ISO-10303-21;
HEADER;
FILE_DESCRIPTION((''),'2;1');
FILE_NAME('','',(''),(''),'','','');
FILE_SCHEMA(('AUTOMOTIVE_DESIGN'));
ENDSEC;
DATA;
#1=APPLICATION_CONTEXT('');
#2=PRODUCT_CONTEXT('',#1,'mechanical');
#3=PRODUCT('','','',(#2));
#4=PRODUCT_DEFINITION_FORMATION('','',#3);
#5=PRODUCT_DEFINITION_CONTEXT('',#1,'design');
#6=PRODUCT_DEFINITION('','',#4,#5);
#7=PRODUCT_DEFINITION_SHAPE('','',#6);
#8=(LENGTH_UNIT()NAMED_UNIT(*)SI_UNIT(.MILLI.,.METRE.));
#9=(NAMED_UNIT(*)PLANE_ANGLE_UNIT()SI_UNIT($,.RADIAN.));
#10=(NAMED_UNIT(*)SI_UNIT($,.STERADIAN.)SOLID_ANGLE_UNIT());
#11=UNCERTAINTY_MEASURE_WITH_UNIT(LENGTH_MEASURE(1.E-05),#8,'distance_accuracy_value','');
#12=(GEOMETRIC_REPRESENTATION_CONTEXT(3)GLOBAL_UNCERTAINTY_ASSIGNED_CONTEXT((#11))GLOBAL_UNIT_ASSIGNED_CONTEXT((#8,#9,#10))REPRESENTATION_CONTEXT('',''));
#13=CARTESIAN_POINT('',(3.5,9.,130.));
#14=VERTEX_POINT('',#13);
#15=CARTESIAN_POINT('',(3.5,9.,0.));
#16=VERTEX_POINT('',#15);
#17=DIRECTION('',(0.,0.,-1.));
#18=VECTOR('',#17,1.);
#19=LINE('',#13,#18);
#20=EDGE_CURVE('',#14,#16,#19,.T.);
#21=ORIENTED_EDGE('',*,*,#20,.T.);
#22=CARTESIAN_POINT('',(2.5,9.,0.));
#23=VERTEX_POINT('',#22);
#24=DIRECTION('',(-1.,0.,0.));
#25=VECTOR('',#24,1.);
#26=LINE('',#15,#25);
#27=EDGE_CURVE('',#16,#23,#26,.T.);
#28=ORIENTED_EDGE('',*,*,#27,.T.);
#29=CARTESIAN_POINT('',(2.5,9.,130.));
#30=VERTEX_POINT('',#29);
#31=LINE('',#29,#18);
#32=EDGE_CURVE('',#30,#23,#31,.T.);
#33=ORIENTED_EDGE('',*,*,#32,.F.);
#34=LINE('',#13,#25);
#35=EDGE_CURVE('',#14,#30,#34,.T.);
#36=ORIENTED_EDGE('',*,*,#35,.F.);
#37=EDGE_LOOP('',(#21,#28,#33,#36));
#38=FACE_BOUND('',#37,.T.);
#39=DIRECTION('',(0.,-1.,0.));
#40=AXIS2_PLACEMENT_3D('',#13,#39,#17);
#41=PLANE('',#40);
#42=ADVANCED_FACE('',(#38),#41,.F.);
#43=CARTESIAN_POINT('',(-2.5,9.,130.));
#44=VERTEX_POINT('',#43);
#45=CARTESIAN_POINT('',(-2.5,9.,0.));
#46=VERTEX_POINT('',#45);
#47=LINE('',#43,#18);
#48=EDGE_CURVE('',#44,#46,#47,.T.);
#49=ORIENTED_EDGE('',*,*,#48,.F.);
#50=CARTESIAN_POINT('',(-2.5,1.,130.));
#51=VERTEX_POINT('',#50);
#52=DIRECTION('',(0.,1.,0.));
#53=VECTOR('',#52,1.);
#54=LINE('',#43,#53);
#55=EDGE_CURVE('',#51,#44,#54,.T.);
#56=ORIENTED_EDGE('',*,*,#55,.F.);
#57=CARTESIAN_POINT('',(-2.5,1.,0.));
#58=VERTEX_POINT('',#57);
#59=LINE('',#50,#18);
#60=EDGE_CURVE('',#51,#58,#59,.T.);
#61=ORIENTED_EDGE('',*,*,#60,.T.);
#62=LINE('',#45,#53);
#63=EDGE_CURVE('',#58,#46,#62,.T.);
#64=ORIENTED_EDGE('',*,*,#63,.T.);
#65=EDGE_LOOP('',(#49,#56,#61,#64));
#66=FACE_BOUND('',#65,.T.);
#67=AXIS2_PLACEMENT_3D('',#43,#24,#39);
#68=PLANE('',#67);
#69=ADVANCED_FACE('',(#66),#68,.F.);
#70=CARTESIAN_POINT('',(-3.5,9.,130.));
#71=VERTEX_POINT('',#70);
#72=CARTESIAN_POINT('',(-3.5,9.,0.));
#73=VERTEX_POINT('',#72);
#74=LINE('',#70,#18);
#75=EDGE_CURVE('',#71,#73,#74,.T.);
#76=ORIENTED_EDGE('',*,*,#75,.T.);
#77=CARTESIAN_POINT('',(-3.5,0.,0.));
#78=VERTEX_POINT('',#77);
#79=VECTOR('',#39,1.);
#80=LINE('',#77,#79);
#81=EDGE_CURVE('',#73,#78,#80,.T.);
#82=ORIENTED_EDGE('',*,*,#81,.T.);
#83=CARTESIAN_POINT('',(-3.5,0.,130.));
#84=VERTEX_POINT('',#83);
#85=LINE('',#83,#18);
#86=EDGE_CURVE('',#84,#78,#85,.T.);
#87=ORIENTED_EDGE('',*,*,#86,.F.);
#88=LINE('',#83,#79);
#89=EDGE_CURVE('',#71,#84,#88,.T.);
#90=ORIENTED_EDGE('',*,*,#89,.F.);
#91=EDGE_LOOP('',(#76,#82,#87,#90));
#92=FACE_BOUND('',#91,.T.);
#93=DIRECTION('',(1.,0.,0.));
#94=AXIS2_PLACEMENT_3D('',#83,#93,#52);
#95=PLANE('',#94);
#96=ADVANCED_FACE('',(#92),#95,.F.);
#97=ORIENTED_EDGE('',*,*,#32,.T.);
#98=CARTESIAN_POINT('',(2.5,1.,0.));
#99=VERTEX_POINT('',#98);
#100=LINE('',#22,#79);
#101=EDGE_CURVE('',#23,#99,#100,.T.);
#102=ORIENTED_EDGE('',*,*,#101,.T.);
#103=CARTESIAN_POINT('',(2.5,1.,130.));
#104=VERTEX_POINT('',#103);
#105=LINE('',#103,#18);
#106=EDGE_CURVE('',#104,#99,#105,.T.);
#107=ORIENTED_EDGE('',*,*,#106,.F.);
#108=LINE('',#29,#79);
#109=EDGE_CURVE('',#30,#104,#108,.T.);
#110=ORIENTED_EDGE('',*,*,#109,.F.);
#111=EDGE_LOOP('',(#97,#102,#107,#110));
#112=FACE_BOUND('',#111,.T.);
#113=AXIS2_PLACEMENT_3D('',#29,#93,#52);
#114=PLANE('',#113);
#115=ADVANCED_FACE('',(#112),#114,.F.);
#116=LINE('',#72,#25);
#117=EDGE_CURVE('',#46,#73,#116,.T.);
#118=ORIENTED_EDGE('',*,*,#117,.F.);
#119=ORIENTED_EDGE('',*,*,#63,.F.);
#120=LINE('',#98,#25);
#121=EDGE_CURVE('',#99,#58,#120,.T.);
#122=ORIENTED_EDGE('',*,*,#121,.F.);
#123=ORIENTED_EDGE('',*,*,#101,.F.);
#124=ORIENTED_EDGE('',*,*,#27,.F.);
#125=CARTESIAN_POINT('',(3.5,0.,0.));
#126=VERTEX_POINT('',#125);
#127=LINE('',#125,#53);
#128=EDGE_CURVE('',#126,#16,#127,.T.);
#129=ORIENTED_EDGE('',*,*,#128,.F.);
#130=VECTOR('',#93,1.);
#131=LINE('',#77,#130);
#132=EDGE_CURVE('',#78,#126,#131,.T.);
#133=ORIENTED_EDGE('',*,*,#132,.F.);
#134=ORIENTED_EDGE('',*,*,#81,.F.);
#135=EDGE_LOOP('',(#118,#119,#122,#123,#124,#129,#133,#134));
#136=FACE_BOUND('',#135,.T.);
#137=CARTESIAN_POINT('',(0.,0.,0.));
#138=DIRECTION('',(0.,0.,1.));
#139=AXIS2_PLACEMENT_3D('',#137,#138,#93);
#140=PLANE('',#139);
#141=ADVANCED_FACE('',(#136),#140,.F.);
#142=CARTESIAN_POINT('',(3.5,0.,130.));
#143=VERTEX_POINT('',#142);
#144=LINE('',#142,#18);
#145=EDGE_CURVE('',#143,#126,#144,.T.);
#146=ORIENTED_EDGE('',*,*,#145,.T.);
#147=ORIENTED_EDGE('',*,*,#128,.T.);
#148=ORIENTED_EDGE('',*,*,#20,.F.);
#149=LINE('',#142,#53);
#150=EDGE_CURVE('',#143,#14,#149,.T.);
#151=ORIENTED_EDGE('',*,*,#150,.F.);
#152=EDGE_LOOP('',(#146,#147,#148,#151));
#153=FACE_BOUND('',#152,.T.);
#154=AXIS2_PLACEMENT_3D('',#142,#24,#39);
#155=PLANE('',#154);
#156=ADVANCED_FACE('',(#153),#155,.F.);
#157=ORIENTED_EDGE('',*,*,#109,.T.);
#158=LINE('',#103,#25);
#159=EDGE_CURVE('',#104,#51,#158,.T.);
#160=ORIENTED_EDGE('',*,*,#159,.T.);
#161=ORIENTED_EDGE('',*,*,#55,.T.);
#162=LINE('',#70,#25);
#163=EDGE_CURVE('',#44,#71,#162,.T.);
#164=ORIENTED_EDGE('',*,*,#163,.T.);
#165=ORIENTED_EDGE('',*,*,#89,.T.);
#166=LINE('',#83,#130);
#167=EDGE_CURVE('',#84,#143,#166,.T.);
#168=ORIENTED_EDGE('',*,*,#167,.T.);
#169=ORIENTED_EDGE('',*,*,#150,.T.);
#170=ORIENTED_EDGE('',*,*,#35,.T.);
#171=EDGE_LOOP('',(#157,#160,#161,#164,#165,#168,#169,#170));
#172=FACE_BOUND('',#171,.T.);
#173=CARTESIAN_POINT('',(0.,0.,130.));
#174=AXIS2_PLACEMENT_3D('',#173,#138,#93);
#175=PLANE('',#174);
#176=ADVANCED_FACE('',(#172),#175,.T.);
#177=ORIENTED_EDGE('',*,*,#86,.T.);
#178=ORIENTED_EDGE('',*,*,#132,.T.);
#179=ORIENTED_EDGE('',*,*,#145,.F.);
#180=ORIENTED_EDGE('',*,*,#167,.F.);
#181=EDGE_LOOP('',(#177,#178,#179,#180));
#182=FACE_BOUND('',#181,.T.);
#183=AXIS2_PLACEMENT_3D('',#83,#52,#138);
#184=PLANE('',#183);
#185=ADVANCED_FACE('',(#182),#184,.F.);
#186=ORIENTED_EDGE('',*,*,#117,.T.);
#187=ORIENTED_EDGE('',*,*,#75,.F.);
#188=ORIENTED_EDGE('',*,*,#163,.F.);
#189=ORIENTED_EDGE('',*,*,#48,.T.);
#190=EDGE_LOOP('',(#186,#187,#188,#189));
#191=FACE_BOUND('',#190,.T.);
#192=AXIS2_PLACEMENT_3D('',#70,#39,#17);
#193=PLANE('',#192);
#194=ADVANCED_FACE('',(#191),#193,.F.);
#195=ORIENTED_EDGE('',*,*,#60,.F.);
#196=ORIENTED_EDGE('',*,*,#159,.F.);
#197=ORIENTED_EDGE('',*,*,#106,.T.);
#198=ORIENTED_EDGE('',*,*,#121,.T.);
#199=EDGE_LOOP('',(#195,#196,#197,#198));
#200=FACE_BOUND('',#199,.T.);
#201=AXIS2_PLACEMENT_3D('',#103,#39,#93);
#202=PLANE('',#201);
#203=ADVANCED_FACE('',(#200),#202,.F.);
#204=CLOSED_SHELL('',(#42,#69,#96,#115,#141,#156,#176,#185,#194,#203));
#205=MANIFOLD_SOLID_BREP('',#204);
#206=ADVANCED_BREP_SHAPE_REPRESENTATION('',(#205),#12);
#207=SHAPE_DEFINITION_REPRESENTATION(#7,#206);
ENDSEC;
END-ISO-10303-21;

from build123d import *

# Parameters (mm, degrees)
BOSS_EXTRUDE2_DEPTH = 130


with BuildPart() as part:
    # Sketch2 → Boss-Extrude2 (new body)
    with BuildSketch(Plane.XY):
        Polygon((-3.5, 0), (3.5, 0), (3.5, 9), (2.5, 9), (2.5, 1), (-2.5, 1), (-2.5, 9), (-3.5, 9), align=None)
    extrude(amount=BOSS_EXTRUDE2_DEPTH)


solid = part.part
